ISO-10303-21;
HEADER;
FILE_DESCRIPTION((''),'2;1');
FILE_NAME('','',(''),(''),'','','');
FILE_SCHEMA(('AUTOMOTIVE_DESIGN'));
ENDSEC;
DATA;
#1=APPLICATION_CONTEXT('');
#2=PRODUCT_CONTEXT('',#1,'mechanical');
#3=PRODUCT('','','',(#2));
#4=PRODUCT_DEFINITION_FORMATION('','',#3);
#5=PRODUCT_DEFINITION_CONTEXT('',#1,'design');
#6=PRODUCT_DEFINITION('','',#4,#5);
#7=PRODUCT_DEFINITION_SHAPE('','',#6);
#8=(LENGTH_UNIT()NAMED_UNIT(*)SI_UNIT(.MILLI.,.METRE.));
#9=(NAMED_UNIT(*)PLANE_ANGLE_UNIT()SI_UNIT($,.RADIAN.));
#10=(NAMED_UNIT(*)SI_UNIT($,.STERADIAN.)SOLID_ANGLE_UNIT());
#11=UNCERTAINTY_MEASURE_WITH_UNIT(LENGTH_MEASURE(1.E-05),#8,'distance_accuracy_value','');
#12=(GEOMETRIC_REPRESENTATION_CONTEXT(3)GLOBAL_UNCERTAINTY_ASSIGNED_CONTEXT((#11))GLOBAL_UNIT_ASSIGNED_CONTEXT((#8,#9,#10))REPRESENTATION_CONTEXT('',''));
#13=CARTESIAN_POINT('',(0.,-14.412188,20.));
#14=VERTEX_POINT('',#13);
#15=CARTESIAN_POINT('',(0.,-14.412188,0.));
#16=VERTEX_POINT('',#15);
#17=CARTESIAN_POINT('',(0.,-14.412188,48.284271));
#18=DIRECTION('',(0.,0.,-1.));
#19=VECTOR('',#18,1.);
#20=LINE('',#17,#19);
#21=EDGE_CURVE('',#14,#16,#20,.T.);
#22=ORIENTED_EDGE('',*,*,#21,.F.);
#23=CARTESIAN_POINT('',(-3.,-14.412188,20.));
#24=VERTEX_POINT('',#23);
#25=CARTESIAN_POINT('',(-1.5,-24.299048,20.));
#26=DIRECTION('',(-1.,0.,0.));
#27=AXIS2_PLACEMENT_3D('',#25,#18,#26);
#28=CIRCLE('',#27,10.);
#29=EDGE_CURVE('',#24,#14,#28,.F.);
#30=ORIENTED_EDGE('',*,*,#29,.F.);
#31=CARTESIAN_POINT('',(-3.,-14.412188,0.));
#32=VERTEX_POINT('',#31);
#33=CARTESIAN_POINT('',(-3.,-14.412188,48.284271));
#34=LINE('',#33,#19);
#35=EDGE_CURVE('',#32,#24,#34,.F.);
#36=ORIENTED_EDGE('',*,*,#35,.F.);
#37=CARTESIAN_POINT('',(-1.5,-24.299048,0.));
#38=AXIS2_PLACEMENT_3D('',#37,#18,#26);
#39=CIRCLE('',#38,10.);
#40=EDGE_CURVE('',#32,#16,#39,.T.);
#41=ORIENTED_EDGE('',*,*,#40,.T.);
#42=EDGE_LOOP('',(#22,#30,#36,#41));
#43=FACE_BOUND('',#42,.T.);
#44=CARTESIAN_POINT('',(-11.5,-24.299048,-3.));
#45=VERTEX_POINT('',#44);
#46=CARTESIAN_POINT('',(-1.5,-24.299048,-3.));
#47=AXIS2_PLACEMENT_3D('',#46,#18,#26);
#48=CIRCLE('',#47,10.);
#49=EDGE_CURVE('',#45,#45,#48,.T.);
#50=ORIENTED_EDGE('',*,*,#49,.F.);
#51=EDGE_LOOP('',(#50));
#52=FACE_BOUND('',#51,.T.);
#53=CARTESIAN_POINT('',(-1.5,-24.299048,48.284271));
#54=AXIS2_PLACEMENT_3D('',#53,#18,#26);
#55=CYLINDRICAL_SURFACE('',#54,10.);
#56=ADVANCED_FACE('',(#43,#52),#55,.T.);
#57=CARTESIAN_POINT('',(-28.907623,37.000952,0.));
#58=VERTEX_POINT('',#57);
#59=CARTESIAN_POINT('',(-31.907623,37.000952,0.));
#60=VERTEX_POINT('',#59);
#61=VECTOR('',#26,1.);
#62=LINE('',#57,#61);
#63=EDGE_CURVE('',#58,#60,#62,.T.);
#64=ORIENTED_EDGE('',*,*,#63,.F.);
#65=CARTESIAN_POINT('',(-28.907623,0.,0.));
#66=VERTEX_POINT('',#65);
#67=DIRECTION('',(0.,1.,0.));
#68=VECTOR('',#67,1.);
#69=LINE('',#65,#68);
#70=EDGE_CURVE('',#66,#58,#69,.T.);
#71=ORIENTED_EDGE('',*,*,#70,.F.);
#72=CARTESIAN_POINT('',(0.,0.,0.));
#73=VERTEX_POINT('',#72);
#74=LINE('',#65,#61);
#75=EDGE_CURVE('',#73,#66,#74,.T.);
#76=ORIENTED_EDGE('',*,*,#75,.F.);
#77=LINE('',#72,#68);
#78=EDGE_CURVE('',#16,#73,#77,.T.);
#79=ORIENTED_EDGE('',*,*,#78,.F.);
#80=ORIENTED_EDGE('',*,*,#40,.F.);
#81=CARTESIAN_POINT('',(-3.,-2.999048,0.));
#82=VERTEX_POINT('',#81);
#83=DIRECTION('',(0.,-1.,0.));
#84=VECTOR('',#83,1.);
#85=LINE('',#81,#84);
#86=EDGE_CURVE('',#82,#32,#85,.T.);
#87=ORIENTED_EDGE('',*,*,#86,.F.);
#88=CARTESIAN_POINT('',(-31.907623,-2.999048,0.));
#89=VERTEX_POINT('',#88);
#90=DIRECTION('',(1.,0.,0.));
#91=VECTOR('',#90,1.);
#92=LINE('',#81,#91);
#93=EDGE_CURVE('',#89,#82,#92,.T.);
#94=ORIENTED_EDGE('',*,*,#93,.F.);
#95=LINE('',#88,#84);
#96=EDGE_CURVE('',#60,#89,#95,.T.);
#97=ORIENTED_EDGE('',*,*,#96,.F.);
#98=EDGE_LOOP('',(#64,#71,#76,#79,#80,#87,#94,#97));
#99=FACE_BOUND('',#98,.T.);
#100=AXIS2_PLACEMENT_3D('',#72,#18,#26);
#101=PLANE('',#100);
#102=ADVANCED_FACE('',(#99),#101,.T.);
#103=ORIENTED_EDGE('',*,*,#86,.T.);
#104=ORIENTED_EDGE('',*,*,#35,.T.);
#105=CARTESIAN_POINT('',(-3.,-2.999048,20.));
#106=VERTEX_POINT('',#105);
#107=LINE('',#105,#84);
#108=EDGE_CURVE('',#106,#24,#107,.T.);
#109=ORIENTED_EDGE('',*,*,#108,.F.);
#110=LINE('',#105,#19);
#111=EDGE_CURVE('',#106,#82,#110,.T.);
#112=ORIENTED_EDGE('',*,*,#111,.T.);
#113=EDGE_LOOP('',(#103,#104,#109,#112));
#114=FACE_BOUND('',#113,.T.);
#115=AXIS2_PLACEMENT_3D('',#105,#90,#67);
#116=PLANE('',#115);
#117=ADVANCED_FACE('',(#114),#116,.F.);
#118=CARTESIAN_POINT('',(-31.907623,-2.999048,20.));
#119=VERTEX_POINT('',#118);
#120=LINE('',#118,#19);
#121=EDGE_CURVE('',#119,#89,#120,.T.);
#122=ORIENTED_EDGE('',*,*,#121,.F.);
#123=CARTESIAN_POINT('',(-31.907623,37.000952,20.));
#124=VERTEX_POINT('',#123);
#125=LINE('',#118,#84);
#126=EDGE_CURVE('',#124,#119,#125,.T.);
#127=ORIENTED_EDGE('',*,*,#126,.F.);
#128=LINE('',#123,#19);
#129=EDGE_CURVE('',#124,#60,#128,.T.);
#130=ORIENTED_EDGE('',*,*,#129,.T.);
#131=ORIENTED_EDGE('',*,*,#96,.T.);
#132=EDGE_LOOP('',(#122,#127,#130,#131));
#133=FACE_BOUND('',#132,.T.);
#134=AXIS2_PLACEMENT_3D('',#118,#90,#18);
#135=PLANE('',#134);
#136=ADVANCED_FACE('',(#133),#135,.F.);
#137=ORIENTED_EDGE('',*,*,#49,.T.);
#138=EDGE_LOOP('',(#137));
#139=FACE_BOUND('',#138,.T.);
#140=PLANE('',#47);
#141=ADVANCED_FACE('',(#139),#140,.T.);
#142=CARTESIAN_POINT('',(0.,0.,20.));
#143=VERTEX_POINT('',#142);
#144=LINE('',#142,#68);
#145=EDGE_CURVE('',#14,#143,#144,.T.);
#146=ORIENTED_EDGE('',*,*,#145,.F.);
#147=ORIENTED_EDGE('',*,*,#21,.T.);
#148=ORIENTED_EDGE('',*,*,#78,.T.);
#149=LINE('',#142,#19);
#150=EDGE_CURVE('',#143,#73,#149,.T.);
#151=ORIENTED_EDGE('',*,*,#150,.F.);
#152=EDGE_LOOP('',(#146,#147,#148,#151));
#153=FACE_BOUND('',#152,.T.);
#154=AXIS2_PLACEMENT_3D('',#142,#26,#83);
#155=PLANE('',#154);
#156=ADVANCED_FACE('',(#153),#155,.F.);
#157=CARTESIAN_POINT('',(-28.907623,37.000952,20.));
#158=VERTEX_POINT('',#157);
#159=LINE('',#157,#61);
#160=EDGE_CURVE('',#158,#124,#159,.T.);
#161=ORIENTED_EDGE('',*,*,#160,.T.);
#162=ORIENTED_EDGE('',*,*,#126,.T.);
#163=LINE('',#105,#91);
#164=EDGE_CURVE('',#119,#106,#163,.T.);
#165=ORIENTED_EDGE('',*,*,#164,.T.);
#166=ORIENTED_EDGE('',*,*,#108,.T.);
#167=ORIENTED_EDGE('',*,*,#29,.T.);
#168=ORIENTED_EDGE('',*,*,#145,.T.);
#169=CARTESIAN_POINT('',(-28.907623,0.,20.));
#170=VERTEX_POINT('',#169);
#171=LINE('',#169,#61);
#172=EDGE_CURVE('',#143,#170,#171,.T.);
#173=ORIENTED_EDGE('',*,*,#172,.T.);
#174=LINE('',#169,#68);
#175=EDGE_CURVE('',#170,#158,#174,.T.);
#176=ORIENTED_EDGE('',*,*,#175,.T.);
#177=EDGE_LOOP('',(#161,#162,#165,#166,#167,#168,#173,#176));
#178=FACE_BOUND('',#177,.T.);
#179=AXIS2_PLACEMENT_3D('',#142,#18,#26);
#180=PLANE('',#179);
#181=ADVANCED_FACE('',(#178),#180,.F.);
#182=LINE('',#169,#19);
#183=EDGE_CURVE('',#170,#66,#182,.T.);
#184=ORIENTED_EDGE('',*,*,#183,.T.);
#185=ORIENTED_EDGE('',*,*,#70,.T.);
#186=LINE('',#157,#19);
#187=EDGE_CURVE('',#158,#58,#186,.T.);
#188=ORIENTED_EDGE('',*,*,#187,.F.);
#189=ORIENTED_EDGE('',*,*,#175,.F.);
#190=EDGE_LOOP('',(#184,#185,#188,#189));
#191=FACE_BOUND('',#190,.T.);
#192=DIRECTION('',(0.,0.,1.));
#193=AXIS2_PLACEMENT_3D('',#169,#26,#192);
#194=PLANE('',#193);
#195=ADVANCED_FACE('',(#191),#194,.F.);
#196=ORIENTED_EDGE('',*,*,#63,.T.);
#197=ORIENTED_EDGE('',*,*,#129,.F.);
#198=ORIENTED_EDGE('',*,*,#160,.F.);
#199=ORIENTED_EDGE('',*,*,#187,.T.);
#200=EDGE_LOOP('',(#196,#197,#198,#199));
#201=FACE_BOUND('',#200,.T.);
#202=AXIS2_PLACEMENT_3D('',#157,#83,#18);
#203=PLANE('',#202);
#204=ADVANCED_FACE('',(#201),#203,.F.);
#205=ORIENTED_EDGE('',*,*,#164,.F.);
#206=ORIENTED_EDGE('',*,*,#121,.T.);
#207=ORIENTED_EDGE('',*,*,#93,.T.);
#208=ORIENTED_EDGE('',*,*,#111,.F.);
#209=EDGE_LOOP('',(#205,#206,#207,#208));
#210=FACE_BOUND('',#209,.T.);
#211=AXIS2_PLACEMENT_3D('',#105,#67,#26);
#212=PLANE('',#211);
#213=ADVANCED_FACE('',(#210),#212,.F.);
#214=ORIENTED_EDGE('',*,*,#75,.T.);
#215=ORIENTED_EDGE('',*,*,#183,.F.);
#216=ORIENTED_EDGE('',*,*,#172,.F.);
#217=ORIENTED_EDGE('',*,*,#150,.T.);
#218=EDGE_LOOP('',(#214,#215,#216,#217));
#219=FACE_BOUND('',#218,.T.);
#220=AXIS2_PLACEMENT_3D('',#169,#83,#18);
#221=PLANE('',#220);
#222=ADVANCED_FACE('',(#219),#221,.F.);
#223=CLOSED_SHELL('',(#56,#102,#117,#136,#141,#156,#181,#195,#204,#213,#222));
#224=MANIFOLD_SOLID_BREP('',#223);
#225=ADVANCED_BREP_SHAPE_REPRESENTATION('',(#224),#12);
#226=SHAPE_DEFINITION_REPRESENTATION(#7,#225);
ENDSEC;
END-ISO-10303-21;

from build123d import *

# Parameters (mm, degrees)
BOSS_EXTRUDE1_DEPTH = 20
BOSS_EXTRUDE2_START = -20
SKETCH4_R           = 10
BOSS_EXTRUDE2_DEPTH = 23


with BuildPart() as part:
    # Sketch1 → Boss-Extrude1 (new body)
    with BuildSketch(Plane.XY):
        Polygon((0, 0), (0, -27.999047944), (-3, -27.999047944), (-3, -2.999047944), (-31.907622925, -2.999047944), (-31.907622925, 37.000952056), (-28.907622925, 37.000952056), (-28.907622925, 0), align=None)
    extrude(amount=BOSS_EXTRUDE1_DEPTH)

    # Sketch4 → Boss-Extrude2 (add)
    with BuildSketch(Plane(origin=(0, 0, 0), x_dir=(-1, 0, 0), z_dir=(0, 0, -1)).offset(BOSS_EXTRUDE2_START)):
        with Locations((1.5, -24.299047944)):
            Circle(SKETCH4_R)
    extrude(amount=BOSS_EXTRUDE2_DEPTH)


solid = part.part
